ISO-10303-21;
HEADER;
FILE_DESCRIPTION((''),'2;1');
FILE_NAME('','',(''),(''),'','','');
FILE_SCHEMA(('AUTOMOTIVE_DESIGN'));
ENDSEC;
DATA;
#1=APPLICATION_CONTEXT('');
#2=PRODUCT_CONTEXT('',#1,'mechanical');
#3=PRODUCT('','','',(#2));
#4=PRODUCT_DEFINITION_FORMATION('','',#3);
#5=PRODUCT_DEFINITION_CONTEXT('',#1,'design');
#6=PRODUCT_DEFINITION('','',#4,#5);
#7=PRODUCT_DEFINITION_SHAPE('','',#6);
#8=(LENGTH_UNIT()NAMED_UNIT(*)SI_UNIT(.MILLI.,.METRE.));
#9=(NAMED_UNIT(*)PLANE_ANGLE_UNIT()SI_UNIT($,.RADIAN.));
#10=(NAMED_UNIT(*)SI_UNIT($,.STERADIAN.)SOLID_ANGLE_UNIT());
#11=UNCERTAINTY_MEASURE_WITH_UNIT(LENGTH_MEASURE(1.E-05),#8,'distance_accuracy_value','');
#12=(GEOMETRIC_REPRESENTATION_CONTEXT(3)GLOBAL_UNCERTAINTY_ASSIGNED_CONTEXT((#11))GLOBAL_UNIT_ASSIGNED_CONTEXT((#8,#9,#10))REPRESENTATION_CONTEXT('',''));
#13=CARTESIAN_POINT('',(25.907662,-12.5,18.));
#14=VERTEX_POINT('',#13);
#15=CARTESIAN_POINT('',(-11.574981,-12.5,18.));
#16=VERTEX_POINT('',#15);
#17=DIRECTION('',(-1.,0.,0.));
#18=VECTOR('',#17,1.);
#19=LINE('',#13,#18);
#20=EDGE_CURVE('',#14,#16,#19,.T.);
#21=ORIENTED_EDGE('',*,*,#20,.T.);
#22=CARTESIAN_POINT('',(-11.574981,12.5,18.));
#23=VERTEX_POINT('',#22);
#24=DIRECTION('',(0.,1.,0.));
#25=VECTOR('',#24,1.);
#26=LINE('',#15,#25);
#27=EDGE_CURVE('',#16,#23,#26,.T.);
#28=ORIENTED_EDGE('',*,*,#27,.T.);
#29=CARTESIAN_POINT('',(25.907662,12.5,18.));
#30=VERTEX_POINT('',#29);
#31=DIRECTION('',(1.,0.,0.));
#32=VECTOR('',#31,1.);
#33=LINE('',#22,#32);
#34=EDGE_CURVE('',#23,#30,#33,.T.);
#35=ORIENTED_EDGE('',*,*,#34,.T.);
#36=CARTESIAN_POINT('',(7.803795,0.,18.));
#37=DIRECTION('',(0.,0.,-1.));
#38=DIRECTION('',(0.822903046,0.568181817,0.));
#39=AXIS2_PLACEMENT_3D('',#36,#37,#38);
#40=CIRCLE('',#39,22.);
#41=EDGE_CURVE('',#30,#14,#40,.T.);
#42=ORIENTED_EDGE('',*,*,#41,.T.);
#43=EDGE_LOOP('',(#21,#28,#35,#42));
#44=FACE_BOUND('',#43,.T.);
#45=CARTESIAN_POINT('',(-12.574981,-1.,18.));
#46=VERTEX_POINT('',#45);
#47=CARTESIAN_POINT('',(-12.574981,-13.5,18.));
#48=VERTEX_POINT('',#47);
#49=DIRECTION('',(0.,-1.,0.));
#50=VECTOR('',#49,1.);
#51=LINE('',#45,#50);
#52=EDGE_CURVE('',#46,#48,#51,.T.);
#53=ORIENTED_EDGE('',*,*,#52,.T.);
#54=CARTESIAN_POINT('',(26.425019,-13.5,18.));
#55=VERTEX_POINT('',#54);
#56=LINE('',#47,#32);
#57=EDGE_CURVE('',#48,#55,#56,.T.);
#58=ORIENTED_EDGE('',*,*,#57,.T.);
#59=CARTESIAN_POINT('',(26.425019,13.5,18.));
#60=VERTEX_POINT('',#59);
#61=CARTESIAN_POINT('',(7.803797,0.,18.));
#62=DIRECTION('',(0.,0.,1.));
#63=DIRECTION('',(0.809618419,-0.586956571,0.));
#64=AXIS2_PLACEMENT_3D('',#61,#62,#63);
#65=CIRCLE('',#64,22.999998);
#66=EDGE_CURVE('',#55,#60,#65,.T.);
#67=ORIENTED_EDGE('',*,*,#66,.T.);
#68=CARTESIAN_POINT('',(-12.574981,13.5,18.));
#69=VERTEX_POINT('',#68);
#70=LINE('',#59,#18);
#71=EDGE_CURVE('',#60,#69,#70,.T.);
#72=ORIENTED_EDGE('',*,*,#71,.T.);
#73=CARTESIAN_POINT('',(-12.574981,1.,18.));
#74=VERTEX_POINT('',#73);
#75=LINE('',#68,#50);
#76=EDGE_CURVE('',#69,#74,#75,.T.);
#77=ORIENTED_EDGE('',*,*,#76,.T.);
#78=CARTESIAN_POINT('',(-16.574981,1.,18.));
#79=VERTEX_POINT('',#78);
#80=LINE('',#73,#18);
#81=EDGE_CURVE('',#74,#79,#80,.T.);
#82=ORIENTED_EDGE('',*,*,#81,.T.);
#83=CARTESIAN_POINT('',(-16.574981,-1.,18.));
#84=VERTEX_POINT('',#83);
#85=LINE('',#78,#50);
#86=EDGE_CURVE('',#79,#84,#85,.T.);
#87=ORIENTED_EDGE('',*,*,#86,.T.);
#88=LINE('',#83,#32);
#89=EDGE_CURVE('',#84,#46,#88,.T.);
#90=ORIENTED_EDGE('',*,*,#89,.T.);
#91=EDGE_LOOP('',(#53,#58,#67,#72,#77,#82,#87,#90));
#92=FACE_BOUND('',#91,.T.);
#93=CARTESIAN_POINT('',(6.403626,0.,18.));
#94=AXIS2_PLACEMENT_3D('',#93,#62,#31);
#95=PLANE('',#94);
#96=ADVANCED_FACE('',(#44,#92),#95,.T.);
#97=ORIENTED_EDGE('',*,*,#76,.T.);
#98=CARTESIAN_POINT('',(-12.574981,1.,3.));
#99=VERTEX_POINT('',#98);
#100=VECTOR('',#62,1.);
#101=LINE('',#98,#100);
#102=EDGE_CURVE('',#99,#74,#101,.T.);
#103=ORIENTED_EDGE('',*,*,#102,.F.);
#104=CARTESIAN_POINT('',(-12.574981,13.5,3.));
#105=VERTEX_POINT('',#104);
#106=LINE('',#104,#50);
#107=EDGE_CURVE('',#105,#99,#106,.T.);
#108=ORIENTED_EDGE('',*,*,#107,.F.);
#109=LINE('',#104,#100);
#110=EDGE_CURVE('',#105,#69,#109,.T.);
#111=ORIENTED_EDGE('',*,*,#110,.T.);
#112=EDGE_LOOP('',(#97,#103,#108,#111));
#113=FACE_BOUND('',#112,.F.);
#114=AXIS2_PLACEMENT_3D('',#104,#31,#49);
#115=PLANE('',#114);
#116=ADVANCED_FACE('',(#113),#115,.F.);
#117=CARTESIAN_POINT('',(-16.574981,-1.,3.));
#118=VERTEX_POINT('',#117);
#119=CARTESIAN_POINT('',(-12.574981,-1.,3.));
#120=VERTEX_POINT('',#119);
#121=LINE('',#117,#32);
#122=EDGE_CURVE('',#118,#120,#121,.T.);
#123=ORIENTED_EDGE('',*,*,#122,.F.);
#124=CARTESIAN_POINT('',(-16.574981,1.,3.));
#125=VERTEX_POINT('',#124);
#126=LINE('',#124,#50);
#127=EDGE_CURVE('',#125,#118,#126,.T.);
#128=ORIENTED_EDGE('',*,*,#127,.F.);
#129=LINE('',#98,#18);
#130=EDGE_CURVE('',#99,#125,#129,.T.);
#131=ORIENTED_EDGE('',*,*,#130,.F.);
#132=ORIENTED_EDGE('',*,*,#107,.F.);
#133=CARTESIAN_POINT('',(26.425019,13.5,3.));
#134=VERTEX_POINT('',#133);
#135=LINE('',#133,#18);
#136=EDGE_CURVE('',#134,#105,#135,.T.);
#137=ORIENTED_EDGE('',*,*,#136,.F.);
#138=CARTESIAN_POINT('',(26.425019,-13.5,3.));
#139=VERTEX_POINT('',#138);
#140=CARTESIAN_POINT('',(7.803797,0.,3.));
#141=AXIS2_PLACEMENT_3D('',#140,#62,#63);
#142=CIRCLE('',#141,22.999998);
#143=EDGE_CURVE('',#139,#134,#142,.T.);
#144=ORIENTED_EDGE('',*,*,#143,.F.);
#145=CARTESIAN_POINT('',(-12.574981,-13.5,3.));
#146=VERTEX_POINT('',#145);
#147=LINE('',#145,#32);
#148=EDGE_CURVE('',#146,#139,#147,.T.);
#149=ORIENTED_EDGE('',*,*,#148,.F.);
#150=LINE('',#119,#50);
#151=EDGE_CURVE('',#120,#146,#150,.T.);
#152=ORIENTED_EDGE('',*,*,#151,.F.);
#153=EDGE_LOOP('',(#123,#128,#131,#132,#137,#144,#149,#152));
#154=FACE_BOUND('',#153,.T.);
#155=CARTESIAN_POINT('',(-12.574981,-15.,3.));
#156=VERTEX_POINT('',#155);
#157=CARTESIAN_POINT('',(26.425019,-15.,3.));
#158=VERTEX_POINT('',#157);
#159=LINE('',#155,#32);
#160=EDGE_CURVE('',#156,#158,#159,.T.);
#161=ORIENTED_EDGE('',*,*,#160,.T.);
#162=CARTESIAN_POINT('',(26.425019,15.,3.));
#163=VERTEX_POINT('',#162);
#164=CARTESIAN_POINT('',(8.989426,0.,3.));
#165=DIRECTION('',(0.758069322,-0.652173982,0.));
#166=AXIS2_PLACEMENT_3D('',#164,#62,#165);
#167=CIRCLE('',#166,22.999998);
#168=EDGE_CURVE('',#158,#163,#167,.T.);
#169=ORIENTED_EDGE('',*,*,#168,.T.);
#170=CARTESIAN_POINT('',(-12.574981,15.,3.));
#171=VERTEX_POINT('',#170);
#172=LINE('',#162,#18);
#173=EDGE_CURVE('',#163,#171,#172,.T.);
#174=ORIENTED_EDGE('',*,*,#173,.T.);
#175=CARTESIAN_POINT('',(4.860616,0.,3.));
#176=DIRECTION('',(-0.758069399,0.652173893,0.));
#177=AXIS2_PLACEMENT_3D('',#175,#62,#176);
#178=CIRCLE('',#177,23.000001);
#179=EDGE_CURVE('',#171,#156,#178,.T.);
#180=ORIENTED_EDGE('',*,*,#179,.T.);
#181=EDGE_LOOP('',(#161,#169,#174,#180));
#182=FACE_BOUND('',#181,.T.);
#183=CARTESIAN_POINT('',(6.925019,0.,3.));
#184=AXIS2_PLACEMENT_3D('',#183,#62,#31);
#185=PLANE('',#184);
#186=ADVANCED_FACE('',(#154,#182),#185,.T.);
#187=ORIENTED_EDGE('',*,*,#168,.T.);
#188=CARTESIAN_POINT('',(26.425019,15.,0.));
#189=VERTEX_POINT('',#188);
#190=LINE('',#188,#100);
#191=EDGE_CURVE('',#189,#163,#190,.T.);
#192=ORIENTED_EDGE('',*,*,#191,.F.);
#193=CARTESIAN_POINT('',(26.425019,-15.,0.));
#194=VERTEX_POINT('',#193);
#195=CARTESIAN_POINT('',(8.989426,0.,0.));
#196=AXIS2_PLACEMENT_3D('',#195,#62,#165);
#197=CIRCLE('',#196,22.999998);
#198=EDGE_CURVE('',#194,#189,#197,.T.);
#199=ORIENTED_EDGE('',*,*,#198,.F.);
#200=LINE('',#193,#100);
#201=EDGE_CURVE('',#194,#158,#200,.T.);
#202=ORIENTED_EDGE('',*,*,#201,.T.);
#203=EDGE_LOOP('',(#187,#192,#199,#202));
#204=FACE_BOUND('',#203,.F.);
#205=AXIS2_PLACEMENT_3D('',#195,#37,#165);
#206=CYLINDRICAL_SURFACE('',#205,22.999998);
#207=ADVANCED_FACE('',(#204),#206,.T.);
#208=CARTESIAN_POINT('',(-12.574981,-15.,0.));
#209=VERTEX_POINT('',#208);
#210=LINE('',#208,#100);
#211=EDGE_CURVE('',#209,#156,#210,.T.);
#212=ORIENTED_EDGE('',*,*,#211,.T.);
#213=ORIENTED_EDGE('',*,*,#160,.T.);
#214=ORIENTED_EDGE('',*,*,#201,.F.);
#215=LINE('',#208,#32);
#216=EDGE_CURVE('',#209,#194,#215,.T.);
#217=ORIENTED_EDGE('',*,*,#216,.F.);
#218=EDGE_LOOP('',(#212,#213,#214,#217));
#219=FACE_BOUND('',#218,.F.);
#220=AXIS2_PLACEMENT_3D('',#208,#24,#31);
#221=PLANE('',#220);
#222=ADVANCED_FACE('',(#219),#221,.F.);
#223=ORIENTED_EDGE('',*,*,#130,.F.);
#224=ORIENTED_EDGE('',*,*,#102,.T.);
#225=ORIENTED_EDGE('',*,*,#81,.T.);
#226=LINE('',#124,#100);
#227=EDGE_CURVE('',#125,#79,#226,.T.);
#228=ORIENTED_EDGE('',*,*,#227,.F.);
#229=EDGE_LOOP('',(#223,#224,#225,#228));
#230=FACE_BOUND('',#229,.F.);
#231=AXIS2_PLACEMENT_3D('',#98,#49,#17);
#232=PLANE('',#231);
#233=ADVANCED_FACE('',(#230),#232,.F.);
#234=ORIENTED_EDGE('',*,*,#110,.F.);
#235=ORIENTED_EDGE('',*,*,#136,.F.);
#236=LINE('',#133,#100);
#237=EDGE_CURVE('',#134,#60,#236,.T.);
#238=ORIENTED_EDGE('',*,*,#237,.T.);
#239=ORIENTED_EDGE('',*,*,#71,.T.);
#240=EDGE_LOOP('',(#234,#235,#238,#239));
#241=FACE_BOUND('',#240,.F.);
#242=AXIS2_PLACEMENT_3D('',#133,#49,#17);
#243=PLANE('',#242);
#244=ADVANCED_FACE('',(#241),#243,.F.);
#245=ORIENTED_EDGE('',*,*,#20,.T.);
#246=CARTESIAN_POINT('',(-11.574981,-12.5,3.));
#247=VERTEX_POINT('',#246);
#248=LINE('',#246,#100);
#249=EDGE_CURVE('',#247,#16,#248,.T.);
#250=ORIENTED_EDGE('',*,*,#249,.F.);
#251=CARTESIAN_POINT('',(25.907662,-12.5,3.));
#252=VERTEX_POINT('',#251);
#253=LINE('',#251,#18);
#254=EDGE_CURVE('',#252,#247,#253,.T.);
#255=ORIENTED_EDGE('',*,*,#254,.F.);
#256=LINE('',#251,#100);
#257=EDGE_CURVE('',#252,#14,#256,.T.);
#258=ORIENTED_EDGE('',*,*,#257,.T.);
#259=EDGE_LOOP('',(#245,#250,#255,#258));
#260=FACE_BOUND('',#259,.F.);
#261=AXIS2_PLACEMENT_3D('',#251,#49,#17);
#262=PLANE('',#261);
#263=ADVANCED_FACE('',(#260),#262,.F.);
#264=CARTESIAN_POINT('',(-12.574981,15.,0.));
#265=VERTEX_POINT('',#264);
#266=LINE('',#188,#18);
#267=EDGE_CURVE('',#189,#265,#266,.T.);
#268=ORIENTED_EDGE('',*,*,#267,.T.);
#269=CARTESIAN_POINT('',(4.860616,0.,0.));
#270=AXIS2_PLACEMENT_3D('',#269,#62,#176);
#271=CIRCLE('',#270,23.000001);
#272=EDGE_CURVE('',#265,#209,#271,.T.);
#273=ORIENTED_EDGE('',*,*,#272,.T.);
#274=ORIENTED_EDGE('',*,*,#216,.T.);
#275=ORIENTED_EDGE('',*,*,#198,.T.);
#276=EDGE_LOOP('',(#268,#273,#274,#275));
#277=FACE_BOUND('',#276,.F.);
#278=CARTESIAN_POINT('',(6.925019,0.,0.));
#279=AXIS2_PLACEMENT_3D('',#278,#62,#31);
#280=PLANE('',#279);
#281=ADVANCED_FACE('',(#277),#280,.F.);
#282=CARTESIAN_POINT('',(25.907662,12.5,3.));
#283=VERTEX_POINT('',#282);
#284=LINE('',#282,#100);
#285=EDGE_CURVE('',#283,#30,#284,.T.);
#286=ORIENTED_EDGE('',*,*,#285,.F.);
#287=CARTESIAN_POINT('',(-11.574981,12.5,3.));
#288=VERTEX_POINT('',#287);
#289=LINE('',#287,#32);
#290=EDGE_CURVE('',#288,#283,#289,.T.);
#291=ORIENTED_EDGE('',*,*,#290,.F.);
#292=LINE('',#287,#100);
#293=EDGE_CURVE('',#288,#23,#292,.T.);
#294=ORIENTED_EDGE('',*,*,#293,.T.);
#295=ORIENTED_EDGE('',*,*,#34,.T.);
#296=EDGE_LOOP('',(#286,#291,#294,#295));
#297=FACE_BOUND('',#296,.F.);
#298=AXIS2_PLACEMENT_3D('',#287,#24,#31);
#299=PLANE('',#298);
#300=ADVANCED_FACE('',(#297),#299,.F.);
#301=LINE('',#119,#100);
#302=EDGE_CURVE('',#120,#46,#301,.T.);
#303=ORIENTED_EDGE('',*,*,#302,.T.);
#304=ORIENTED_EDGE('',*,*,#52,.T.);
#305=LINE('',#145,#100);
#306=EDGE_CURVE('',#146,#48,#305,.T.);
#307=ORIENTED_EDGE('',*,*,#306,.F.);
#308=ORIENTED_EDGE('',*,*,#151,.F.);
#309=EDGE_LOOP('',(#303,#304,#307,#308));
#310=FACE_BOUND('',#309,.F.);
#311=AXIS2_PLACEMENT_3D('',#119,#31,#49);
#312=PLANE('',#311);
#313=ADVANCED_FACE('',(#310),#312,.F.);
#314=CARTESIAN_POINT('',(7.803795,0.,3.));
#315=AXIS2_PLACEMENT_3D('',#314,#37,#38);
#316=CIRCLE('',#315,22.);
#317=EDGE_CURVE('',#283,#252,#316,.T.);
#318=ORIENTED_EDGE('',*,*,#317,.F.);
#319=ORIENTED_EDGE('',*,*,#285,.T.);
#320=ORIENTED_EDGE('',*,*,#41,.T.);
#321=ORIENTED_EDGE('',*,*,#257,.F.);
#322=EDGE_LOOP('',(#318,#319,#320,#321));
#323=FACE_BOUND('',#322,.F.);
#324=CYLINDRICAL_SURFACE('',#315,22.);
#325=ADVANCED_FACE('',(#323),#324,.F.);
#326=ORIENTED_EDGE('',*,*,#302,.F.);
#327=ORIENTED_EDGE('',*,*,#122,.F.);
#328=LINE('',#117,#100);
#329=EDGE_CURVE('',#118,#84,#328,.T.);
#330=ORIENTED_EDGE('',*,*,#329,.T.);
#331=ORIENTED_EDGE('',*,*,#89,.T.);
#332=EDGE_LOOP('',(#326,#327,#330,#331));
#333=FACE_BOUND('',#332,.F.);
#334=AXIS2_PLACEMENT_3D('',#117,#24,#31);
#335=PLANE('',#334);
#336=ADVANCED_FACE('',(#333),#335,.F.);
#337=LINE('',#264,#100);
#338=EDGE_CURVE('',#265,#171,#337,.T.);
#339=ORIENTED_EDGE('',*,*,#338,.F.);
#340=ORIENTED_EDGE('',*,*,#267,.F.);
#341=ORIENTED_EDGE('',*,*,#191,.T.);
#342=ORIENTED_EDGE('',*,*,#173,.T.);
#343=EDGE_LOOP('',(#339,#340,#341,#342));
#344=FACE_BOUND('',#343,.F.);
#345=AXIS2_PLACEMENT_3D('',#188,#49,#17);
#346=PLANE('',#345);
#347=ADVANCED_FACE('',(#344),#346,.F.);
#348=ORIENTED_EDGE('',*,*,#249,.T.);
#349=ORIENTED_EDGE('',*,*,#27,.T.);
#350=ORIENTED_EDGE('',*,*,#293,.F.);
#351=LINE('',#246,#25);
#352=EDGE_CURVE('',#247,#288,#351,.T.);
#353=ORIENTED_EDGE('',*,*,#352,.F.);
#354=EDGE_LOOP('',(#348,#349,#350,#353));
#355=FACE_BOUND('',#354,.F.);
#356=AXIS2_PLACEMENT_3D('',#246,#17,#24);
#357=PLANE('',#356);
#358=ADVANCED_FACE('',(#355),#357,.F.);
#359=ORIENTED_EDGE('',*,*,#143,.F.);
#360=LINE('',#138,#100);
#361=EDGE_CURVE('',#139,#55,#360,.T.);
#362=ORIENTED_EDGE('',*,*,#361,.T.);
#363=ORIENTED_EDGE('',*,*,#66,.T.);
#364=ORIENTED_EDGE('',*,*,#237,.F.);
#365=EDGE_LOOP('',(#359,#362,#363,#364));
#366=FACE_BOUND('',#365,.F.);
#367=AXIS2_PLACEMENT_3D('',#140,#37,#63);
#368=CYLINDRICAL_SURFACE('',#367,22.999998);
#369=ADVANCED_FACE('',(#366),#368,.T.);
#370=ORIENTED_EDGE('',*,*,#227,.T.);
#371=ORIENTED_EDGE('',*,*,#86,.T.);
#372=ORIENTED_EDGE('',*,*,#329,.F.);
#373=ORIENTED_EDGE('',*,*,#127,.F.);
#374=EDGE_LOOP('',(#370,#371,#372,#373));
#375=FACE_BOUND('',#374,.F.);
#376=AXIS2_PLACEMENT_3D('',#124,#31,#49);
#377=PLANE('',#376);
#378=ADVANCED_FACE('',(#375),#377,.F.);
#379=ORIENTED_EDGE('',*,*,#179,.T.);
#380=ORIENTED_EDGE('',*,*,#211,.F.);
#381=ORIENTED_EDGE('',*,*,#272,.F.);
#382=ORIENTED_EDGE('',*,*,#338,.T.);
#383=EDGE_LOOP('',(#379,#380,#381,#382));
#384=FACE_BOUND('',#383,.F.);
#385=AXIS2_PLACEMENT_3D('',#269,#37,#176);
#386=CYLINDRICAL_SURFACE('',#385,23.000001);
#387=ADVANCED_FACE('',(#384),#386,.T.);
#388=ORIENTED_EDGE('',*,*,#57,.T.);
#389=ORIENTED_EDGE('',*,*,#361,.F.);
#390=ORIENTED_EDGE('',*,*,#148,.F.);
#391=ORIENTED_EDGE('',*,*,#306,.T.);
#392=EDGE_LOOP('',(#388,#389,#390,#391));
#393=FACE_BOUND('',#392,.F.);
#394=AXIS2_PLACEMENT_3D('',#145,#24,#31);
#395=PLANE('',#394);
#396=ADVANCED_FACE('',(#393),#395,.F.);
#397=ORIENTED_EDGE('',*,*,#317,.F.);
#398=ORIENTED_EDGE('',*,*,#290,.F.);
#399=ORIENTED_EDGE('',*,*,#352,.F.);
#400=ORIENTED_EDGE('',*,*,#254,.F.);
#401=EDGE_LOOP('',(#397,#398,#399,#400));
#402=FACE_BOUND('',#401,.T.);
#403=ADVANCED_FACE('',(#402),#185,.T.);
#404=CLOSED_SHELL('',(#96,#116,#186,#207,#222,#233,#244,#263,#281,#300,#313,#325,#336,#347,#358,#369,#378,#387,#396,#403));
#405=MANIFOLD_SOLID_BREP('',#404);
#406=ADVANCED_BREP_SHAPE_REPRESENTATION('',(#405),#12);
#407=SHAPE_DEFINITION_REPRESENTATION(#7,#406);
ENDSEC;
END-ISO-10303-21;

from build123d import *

# Parameters (mm, degrees)
F1_DEPTH = 3
F3_DEPTH = 15


with BuildPart() as f1:
    # F0 (on Top) → F1 (new body)
    with BuildSketch(Plane.XY):
        with BuildLine():
            ThreePointArc((26.425019, -15), (31.989424, 0), (26.425019, 15))
            Line((26.425019, 15), (-12.574981, 15))
            ThreePointArc((-12.574981, 15), (-18.139385, 0), (-12.574981, -15))
            Line((-12.574981, -15), (26.425019, -15))
        make_face()
        with BuildLine():
            Line((-12.574981, 1), (-12.574981, 13.5))
            Line((-12.574981, 13.5), (26.425019, 13.5))
            ThreePointArc((26.425019, 13.5), (30.803795, 0), (26.425019, -13.5))
            Line((26.425019, -13.5), (-12.574981, -13.5))
            Line((-12.574981, -13.5), (-12.574981, -1))
            Line((-12.574981, -1), (-16.574981, -1))
            Line((-16.574981, -1), (-16.574981, 1))
            Line((-16.574981, 1), (-12.574981, 1))
        make_face(mode=Mode.SUBTRACT)
        with BuildLine():
            Line((26.425019, 13.5), (-12.574981, 13.5))
            Line((-12.574981, 13.5), (-12.574981, 1))
            Line((-12.574981, 1), (-16.574981, 1))
            Line((-16.574981, 1), (-16.574981, -1))
            Line((-16.574981, -1), (-12.574981, -1))
            Line((-12.574981, -1), (-12.574981, -13.5))
            Line((-12.574981, -13.5), (26.425019, -13.5))
            ThreePointArc((26.425019, -13.5), (30.803795, 0), (26.425019, 13.5))
        make_face()
    extrude(amount=F1_DEPTH)

    # F2 (on face) → F3 (join)
    with BuildSketch(Plane.XY.offset(3)):
        with BuildLine():
            Line((26.425019, 13.5), (-12.574981, 13.5))
            Line((-12.574981, 13.5), (-12.574981, 1))
            Line((-12.574981, 1), (-16.574981, 1))
            Line((-16.574981, 1), (-16.574981, -1))
            Line((-16.574981, -1), (-12.574981, -1))
            Line((-12.574981, -1), (-12.574981, -13.5))
            Line((-12.574981, -13.5), (26.425019, -13.5))
            ThreePointArc((26.425019, -13.5), (30.803795, 0), (26.425019, 13.5))
        make_face()
        with BuildLine():
            Line((-11.574981, 0), (-11.574981, 12.5))
            Line((-11.574981, 12.5), (25.907662, 12.5))
            ThreePointArc((25.907662, 12.5), (29.803795, 0), (25.907662, -12.5))
            Line((25.907662, -12.5), (-11.574981, -12.5))
            Line((-11.574981, -12.5), (-11.574981, 0))
        make_face(mode=Mode.SUBTRACT)
    extrude(amount=F3_DEPTH)


solid = f1.part
